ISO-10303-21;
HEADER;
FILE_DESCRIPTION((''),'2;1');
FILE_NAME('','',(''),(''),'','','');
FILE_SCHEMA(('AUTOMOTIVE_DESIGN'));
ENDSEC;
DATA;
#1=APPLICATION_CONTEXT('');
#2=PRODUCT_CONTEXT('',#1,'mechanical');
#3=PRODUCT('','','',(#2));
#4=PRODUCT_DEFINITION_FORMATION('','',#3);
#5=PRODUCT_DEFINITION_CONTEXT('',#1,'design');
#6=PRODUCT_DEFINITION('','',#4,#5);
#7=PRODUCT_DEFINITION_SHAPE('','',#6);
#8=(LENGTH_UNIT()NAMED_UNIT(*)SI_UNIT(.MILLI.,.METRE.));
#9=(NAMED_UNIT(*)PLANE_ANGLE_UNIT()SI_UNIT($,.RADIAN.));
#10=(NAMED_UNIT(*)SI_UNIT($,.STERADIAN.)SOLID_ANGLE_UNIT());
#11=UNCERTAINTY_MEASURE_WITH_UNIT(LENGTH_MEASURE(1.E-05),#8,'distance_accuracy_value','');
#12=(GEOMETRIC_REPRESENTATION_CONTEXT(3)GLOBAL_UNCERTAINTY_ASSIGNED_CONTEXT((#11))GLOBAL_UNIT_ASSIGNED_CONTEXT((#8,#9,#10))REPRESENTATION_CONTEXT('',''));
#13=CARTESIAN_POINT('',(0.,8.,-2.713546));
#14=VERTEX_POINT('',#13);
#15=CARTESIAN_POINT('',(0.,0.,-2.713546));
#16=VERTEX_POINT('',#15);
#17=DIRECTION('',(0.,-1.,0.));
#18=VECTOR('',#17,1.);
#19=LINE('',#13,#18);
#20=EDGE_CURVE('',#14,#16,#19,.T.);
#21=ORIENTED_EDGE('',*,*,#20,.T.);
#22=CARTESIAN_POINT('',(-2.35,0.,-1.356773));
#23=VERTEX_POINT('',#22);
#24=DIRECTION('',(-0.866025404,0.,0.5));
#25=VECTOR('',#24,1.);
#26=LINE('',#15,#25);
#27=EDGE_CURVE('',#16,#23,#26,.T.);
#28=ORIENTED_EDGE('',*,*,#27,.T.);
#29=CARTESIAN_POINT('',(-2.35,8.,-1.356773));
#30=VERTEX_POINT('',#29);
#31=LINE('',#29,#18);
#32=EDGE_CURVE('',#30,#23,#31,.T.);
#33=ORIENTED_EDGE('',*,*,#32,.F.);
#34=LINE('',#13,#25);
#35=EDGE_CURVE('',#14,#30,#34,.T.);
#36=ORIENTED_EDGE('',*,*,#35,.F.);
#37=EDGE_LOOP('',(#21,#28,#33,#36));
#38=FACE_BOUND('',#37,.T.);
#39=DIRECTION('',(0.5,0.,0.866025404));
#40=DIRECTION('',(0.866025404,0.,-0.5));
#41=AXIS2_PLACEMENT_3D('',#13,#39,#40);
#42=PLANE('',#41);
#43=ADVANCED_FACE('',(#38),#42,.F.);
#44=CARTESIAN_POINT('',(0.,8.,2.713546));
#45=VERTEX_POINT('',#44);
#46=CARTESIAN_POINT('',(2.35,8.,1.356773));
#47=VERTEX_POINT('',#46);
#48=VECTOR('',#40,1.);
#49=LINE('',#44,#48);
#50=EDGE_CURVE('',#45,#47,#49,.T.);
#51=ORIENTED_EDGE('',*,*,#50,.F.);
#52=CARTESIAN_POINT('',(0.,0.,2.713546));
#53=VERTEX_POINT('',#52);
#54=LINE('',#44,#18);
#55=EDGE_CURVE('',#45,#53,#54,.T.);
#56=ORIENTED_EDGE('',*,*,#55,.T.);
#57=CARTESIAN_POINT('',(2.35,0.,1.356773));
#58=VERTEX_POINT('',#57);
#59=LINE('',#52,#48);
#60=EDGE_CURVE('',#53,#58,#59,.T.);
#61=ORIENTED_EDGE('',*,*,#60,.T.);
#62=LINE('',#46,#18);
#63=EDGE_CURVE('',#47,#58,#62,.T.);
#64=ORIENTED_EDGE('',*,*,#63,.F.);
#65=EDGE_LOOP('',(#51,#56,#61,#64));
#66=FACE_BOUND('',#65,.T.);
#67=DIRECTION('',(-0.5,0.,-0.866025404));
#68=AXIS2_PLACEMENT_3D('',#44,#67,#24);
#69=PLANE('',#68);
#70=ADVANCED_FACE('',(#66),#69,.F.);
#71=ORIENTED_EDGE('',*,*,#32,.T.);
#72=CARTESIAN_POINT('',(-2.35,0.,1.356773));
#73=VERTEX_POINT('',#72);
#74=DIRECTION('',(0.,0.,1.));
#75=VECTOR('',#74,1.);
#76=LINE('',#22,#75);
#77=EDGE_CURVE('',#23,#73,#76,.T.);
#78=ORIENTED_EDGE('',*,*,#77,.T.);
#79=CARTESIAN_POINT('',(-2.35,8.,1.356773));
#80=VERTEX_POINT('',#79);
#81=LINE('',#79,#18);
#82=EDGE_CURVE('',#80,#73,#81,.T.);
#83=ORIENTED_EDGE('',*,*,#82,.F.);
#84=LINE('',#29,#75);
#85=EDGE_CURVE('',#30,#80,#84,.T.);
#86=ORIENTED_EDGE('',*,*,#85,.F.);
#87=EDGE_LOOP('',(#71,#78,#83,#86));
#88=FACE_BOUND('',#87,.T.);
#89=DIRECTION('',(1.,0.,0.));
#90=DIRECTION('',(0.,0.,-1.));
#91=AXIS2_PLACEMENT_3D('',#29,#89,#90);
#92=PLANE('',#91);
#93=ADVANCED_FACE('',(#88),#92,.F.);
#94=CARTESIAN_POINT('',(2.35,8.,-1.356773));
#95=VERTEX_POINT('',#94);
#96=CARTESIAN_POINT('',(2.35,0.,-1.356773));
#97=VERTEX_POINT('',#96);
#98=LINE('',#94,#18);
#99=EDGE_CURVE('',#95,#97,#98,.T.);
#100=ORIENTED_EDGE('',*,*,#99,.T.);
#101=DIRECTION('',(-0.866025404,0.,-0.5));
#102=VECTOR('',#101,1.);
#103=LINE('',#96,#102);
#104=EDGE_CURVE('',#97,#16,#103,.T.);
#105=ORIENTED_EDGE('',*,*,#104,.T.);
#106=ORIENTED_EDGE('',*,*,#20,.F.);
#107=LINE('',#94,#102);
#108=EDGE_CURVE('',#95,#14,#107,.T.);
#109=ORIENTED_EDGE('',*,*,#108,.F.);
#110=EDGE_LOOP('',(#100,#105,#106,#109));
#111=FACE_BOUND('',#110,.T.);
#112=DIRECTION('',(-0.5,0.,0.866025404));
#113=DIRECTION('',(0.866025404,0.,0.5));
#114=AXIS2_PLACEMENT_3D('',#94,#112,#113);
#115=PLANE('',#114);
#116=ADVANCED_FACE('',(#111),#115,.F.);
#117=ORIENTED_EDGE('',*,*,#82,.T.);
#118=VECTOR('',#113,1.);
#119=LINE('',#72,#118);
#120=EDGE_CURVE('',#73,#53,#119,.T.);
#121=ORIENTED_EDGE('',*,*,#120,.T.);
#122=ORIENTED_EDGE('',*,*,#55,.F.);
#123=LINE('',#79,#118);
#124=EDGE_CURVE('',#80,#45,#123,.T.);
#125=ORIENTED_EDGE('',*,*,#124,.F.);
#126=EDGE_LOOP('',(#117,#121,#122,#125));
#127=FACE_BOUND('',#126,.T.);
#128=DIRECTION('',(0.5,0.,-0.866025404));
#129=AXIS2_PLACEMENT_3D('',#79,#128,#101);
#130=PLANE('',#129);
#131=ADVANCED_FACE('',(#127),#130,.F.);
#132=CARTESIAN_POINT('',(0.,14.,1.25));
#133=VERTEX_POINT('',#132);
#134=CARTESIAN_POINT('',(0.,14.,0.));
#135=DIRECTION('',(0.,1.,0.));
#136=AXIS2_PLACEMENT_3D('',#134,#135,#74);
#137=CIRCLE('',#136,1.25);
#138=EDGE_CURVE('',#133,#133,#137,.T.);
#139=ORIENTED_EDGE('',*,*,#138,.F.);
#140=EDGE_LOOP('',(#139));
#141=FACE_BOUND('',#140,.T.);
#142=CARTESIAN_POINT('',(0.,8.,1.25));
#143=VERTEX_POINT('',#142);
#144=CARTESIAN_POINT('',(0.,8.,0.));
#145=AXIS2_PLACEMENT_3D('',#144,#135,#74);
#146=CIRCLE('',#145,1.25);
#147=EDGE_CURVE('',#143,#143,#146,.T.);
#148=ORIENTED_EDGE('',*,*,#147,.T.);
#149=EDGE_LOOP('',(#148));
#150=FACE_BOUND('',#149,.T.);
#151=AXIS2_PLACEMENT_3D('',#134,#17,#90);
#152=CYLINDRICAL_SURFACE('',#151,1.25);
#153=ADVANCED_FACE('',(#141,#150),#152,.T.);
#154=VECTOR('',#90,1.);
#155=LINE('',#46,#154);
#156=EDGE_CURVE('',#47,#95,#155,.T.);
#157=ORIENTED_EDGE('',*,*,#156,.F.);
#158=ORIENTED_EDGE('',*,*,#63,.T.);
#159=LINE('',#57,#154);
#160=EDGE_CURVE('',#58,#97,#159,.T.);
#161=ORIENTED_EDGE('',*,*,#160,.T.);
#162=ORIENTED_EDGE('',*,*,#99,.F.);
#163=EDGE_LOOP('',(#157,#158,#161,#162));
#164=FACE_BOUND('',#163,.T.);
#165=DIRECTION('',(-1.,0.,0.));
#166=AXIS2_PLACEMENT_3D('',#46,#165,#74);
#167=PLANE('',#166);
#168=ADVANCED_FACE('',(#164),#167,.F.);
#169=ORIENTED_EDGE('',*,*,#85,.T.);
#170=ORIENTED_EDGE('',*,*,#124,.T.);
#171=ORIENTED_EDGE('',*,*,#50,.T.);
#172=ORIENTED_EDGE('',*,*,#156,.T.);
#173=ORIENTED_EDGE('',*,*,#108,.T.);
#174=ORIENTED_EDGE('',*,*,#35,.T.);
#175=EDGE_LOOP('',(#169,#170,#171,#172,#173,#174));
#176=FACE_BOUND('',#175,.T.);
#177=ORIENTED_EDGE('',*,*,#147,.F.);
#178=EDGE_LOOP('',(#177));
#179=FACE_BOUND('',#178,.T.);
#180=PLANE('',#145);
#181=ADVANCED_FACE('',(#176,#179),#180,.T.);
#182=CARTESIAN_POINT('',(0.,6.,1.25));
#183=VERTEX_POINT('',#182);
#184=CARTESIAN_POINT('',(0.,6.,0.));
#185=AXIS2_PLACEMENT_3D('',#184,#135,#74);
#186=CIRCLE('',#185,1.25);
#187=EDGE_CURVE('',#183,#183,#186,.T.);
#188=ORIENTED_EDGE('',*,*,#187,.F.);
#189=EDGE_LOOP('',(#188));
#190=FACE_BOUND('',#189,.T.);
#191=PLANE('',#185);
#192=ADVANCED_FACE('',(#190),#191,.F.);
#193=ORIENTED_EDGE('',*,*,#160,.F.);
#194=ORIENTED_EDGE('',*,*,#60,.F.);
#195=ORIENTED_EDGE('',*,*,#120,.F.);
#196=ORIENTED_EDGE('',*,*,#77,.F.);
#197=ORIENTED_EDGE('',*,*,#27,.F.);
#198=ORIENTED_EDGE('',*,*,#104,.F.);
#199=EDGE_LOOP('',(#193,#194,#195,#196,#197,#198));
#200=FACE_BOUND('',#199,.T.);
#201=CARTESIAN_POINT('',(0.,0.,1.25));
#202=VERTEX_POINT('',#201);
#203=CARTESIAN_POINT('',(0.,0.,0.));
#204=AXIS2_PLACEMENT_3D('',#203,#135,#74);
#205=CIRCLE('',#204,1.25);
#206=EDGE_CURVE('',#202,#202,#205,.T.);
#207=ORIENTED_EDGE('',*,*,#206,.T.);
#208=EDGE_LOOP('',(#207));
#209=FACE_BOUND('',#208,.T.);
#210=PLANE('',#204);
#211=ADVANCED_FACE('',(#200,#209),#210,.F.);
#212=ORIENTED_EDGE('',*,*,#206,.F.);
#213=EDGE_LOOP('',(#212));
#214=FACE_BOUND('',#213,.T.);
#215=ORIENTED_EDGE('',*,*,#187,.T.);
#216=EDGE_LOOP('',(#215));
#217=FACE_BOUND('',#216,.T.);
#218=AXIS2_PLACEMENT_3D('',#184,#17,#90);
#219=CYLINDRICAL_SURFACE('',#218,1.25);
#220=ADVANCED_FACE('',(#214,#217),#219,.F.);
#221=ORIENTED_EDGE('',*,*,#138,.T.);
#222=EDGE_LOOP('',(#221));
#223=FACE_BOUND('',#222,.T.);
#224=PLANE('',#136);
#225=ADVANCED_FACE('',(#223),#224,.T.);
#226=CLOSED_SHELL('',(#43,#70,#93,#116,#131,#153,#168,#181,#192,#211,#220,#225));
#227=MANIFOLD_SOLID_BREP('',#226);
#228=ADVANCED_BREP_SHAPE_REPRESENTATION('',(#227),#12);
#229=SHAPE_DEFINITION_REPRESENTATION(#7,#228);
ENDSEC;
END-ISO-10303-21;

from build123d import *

# Parameters (mm, degrees)
BOSS_EXTRUDE1_DEPTH = 8
SKETCH2_R           = 1.25
BOSS_EXTRUDE2_DEPTH = 6
CUT_EXTRUDE1_START  = -8
SKETCH2_2_R         = 1.25
CUT_EXTRUDE1_DEPTH  = 6


with BuildPart() as part:
    # Sketch1 → Boss-Extrude1 (new body)
    with BuildSketch(Plane(origin=(0, 0, 0), x_dir=(1, 0, 0), z_dir=(0, 1, 0))):
        Polygon((0, 2.713546265), (-2.35, 1.356773133), (-2.35, -1.356773133), (0, -2.713546265), (2.35, -1.356773133), (2.35, 1.356773133), align=None)
    extrude(amount=BOSS_EXTRUDE1_DEPTH)

    # Sketch2 → Boss-Extrude2 (add)
    with BuildSketch(Plane(origin=(0, 8, 0), x_dir=(1, 0, 0), z_dir=(0, 1, 0))):
        Circle(SKETCH2_R)
    extrude(amount=BOSS_EXTRUDE2_DEPTH)

    # Sketch2<2> → Cut-Extrude1 (cut)
    with BuildSketch(Plane(origin=(0, 8, 0), x_dir=(1, 0, 0), z_dir=(0, 1, 0)).offset(CUT_EXTRUDE1_START)):
        Circle(SKETCH2_2_R)
    extrude(amount=CUT_EXTRUDE1_DEPTH, mode=Mode.SUBTRACT)


solid = part.part
